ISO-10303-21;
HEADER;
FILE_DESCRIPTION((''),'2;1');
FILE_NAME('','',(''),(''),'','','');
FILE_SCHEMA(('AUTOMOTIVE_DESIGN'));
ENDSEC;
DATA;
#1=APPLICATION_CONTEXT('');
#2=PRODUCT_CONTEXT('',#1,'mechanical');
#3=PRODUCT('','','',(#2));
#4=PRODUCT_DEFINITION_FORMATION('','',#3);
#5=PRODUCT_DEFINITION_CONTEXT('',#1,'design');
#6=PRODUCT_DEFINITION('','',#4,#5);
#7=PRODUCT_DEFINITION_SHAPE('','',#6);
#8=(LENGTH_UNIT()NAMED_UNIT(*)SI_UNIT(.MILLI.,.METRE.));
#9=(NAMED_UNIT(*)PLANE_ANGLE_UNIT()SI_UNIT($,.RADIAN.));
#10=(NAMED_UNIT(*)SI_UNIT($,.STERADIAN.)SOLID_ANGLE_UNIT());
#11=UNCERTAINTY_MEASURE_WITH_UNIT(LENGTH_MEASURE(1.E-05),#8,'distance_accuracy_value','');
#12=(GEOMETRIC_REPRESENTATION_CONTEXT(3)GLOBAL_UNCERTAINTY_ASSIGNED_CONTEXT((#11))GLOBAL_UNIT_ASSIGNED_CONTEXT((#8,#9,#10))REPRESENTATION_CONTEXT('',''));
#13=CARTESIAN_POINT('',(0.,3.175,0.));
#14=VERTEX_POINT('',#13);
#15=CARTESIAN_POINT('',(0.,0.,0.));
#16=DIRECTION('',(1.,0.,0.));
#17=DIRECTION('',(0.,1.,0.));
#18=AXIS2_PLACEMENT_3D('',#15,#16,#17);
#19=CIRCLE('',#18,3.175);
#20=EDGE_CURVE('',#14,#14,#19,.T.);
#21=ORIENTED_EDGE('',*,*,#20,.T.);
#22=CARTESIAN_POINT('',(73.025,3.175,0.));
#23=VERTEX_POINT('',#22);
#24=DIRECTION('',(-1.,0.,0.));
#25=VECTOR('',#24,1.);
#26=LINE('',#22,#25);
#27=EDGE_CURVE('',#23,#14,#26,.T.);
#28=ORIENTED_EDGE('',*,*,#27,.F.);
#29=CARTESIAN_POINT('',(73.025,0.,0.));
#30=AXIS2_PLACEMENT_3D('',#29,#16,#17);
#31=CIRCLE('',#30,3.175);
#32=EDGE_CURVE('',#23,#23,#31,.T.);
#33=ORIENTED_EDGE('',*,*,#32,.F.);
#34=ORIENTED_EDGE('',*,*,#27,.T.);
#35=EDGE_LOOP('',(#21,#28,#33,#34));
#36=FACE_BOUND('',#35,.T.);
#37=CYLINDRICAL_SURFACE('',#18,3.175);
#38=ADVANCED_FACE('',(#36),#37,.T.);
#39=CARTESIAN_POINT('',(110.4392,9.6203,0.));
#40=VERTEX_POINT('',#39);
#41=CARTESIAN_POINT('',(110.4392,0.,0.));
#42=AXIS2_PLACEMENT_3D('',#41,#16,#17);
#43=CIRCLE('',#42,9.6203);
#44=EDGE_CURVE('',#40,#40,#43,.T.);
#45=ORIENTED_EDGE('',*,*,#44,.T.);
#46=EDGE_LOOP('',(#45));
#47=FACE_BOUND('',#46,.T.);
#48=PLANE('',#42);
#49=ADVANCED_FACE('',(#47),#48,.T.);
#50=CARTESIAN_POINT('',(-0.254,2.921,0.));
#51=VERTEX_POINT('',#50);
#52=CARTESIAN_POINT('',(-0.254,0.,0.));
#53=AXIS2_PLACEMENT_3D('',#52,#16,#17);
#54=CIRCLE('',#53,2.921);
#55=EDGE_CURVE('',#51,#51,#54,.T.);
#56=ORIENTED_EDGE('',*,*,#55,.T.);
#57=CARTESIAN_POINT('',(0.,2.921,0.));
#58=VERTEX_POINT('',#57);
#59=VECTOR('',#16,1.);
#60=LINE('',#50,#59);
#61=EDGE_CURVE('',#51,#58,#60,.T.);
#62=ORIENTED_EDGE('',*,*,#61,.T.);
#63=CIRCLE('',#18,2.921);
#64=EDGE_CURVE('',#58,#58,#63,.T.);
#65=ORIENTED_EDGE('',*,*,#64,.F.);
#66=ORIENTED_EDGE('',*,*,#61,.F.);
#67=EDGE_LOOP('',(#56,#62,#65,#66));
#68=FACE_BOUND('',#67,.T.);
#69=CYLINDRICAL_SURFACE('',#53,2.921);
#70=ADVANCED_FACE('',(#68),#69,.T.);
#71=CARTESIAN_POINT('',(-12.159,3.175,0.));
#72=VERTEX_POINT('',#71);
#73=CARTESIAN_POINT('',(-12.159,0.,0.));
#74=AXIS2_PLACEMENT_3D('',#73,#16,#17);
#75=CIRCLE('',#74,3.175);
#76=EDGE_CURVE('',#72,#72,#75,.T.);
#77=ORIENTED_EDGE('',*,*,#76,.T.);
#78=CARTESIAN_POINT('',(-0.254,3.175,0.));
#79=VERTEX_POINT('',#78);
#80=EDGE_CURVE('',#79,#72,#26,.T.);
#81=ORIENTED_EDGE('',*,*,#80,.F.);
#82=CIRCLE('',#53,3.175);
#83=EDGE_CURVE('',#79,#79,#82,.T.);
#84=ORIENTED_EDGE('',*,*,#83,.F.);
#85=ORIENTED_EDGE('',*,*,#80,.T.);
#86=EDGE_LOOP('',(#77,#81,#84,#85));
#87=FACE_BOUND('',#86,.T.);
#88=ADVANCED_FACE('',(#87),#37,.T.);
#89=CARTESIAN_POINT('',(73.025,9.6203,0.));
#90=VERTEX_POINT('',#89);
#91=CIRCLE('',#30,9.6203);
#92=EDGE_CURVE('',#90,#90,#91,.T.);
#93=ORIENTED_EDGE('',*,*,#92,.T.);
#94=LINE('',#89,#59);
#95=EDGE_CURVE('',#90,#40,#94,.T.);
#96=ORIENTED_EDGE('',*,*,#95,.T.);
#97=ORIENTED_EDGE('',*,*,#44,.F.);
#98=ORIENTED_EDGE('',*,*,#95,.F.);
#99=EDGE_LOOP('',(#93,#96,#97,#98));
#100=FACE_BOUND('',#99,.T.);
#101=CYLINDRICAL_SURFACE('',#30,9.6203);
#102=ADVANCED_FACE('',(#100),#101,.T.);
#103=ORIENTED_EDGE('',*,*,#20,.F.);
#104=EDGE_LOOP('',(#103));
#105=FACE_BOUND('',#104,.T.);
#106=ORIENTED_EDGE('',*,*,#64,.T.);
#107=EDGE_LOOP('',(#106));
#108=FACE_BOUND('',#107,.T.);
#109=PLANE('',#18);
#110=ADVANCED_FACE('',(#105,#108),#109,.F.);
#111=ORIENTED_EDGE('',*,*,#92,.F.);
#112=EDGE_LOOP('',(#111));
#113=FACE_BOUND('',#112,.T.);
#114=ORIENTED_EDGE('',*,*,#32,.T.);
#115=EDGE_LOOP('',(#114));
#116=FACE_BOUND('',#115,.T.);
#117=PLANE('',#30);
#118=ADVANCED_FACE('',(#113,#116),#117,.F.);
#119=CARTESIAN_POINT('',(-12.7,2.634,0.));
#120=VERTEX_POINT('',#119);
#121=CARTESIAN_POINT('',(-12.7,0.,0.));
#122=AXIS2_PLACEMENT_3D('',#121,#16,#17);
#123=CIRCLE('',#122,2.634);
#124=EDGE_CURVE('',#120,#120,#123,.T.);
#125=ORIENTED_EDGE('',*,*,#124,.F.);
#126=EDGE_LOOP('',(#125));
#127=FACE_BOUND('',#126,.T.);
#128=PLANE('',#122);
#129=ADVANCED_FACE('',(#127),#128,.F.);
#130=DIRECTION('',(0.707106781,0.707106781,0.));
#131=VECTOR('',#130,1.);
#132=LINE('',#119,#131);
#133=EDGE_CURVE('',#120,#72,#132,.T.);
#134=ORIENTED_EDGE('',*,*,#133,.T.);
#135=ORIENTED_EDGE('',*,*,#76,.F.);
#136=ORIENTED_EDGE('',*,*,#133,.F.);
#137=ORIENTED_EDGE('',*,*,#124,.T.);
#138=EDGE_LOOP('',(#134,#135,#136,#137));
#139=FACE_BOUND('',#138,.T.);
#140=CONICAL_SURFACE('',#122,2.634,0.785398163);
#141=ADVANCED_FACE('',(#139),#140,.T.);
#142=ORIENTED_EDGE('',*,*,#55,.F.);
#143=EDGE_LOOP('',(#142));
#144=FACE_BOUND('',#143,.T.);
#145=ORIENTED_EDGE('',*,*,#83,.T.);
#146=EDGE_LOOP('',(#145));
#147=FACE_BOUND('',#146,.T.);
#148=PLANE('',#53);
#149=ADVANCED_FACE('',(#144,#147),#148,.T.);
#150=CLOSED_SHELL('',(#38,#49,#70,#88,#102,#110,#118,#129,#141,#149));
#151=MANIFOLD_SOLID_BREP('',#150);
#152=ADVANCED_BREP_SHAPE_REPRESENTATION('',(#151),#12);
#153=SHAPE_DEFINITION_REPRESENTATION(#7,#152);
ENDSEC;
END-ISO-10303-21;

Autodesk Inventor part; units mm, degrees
sketch "Sketch_1" plane through (0, 0, 0) normal (0, 0, 1) x (1, 0, 0)
  line L0 (110.4392, 0) -> (0, 0)
  line L1 (0, 0) -> (0, 3.175)
  line L2 (0, 3.175) -> (73.025, 3.175)
  line L3 (73.025, 3.175) -> (73.025, 9.6203)
  line L4 (73.025, 9.6203) -> (110.4392, 9.6203)
  line L5 (110.4392, 9.6203) -> (110.4392, 0)
  line L6 (110.4392, 0) -> (0, 0)
revolve "Revolution1" add sketch "Sketch_1" angle 360 about axis through (110.4392, 0, 0) along (1, 0, 0)
sketch "Sketch_3" plane through (0, 0, 0) normal (0, 0, 1) x (1, 0, 0)
  line L0 (0, 0) -> (-12.7, 0)
  line L1 (-12.7, 0) -> (-12.7, 2.634)
  line L2 (-12.7, 2.634) -> (-12.159, 3.175)
  line L3 (-12.159, 3.175) -> (0, 3.175)
  line L4 (0, 3.175) -> (0, 0)
  line L5 (0, 0) -> (-12.7, 0)
revolve "Revolution2" add sketch "Sketch_3" angle 360 about axis through (0, 0, 0) along (1, 0, 0)
thread "Thread1" size "1/4-28 UNF" class "2A" standard "ANSI Unified Screw Threads" length 12.159
sketch "Sketch_30" plane through (0, 0, 0) normal (0, 0, 1) x (1, 0, 0)
  line L0 (0, 0) -> (-0.254, 0)
  line L1 (-0.254, 2.921) -> (0, 2.921)
  line L2 (0, 2.921) -> (0, 3.429)
  line L3 (0, 3.429) -> (-0.254, 3.429)
  line L4 (-0.254, 3.429) -> (-0.254, 2.921)
revolve "Revolution3" cut sketch "Sketch_30" angle 360 about axis through (0, 0, 0) along (1, 0, 0)
ref_plane "dia1_XY" through (0, 3.175, 0) normal (1, 0, 0) x (0, 0, -1)
ref_plane "dia1_YZ" through (0, 3.175, 0) normal (0, 0, -1) x (0, 1, 0)
ref_plane "dia1_ZX" through (0, 3.175, 0) normal (0, 1, 0) x (1, 0, 0)
ref_plane "dia12_XY" through (0, 0, 10.2235) normal (1, 0, 0) x (0, 0, -1)
ref_plane "dia12_YZ" through (0, 0, 10.2235) normal (0, 0, -1) x (0, 1, 0)
ref_plane "dia12_ZX" through (0, 0, 10.2235) normal (0, 1, 0) x (1, 0, 0)
ref_plane "dia1r_XY" through (0, 0, 10.9537) normal (1, 0, 0) x (0, 0, -1)
ref_plane "dia1r_YZ" through (0, 0, 10.9537) normal (0, 0, -1) x (0, 1, 0)
ref_plane "dia1r_ZX" through (0, 0, 10.9537) normal (0, 1, 0) x (1, 0, 0)
ref_plane "dia2_XY" through (0, -3.175, 0) normal (1, 0, 0) x (0, 0, -1)
ref_plane "dia2_YZ" through (0, -3.175, 0) normal (0, 0, -1) x (0, 1, 0)
ref_plane "dia2_ZX" through (0, -3.175, 0) normal (0, 1, 0) x (1, 0, 0)
ref_plane "dia22_XY" through (0, 0, -10.2235) normal (1, 0, 0) x (0, 0, -1)
ref_plane "dia22_YZ" through (0, 0, -10.2235) normal (0, 0, -1) x (0, 1, 0)
ref_plane "dia22_ZX" through (0, 0, -10.2235) normal (0, 1, 0) x (1, 0, 0)
ref_plane "dia2r_XY" through (0, 0, -10.9537) normal (1, 0, 0) x (0, 0, -1)
ref_plane "dia2r_YZ" through (0, 0, -10.9537) normal (0, 0, -1) x (0, 1, 0)
ref_plane "dia2r_ZX" through (0, 0, -10.9537) normal (0, 1, 0) x (1, 0, 0)
ref_plane "rl1_XY" through (-12.7, 0, 0) normal (1, 0, 0) x (0, 0, -1)
ref_plane "rl1_YZ" through (-12.7, 0, 0) normal (0, 0, -1) x (0, 1, 0)
ref_plane "rl1_ZX" through (-12.7, 0, 0) normal (0, 1, 0) x (1, 0, 0)
ref_plane "rl2_XY" through (0, 0, 0) normal (1, 0, 0) x (0, 0, -1)
ref_plane "rl2_YZ" through (0, 0, 0) normal (0, 0, -1) x (0, 1, 0)
ref_plane "rl2_ZX" through (0, 0, 0) normal (0, 1, 0) x (1, 0, 0)
ref_plane "rod_cp_XY" through (0, 0, 0) normal (1, 0, 0) x (0, 0, -1)
ref_plane "rod_cp_YZ" through (0, 0, 0) normal (0, 0, -1) x (0, 1, 0)
ref_plane "rod_cp_ZX" through (0, 0, 0) normal (0, 1, 0) x (1, 0, 0)
ref_plane "thd1_XY" through (-12.7, 3.175, 0) normal (1, 0, 0) x (0, 0, -1)
ref_plane "thd1_YZ" through (-12.7, 3.175, 0) normal (0, 0, -1) x (0, 1, 0)
ref_plane "thd1_ZX" through (-12.7, 3.175, 0) normal (0, 1, 0) x (1, 0, 0)
ref_plane "thd2_XY" through (-12.7, -3.175, 0) normal (1, 0, 0) x (0, 0, -1)
ref_plane "thd2_YZ" through (-12.7, -3.175, 0) normal (0, 0, -1) x (0, 1, 0)
ref_plane "thd2_ZX" through (-12.7, -3.175, 0) normal (0, 1, 0) x (1, 0, 0)
ref_plane "to_rod_clevis_XY" through (-16.764, 0, 0) normal (1, 0, 0) x (0, 0, -1)
ref_plane "to_rod_clevis_YZ" through (-16.764, 0, 0) normal (0, 0, -1) x (0, 1, 0)
ref_plane "to_rod_clevis_ZX" through (-16.764, 0, 0) normal (0, 1, 0) x (1, 0, 0)
properties part number "C-042-P0_rod" material "Stainless Steel"
